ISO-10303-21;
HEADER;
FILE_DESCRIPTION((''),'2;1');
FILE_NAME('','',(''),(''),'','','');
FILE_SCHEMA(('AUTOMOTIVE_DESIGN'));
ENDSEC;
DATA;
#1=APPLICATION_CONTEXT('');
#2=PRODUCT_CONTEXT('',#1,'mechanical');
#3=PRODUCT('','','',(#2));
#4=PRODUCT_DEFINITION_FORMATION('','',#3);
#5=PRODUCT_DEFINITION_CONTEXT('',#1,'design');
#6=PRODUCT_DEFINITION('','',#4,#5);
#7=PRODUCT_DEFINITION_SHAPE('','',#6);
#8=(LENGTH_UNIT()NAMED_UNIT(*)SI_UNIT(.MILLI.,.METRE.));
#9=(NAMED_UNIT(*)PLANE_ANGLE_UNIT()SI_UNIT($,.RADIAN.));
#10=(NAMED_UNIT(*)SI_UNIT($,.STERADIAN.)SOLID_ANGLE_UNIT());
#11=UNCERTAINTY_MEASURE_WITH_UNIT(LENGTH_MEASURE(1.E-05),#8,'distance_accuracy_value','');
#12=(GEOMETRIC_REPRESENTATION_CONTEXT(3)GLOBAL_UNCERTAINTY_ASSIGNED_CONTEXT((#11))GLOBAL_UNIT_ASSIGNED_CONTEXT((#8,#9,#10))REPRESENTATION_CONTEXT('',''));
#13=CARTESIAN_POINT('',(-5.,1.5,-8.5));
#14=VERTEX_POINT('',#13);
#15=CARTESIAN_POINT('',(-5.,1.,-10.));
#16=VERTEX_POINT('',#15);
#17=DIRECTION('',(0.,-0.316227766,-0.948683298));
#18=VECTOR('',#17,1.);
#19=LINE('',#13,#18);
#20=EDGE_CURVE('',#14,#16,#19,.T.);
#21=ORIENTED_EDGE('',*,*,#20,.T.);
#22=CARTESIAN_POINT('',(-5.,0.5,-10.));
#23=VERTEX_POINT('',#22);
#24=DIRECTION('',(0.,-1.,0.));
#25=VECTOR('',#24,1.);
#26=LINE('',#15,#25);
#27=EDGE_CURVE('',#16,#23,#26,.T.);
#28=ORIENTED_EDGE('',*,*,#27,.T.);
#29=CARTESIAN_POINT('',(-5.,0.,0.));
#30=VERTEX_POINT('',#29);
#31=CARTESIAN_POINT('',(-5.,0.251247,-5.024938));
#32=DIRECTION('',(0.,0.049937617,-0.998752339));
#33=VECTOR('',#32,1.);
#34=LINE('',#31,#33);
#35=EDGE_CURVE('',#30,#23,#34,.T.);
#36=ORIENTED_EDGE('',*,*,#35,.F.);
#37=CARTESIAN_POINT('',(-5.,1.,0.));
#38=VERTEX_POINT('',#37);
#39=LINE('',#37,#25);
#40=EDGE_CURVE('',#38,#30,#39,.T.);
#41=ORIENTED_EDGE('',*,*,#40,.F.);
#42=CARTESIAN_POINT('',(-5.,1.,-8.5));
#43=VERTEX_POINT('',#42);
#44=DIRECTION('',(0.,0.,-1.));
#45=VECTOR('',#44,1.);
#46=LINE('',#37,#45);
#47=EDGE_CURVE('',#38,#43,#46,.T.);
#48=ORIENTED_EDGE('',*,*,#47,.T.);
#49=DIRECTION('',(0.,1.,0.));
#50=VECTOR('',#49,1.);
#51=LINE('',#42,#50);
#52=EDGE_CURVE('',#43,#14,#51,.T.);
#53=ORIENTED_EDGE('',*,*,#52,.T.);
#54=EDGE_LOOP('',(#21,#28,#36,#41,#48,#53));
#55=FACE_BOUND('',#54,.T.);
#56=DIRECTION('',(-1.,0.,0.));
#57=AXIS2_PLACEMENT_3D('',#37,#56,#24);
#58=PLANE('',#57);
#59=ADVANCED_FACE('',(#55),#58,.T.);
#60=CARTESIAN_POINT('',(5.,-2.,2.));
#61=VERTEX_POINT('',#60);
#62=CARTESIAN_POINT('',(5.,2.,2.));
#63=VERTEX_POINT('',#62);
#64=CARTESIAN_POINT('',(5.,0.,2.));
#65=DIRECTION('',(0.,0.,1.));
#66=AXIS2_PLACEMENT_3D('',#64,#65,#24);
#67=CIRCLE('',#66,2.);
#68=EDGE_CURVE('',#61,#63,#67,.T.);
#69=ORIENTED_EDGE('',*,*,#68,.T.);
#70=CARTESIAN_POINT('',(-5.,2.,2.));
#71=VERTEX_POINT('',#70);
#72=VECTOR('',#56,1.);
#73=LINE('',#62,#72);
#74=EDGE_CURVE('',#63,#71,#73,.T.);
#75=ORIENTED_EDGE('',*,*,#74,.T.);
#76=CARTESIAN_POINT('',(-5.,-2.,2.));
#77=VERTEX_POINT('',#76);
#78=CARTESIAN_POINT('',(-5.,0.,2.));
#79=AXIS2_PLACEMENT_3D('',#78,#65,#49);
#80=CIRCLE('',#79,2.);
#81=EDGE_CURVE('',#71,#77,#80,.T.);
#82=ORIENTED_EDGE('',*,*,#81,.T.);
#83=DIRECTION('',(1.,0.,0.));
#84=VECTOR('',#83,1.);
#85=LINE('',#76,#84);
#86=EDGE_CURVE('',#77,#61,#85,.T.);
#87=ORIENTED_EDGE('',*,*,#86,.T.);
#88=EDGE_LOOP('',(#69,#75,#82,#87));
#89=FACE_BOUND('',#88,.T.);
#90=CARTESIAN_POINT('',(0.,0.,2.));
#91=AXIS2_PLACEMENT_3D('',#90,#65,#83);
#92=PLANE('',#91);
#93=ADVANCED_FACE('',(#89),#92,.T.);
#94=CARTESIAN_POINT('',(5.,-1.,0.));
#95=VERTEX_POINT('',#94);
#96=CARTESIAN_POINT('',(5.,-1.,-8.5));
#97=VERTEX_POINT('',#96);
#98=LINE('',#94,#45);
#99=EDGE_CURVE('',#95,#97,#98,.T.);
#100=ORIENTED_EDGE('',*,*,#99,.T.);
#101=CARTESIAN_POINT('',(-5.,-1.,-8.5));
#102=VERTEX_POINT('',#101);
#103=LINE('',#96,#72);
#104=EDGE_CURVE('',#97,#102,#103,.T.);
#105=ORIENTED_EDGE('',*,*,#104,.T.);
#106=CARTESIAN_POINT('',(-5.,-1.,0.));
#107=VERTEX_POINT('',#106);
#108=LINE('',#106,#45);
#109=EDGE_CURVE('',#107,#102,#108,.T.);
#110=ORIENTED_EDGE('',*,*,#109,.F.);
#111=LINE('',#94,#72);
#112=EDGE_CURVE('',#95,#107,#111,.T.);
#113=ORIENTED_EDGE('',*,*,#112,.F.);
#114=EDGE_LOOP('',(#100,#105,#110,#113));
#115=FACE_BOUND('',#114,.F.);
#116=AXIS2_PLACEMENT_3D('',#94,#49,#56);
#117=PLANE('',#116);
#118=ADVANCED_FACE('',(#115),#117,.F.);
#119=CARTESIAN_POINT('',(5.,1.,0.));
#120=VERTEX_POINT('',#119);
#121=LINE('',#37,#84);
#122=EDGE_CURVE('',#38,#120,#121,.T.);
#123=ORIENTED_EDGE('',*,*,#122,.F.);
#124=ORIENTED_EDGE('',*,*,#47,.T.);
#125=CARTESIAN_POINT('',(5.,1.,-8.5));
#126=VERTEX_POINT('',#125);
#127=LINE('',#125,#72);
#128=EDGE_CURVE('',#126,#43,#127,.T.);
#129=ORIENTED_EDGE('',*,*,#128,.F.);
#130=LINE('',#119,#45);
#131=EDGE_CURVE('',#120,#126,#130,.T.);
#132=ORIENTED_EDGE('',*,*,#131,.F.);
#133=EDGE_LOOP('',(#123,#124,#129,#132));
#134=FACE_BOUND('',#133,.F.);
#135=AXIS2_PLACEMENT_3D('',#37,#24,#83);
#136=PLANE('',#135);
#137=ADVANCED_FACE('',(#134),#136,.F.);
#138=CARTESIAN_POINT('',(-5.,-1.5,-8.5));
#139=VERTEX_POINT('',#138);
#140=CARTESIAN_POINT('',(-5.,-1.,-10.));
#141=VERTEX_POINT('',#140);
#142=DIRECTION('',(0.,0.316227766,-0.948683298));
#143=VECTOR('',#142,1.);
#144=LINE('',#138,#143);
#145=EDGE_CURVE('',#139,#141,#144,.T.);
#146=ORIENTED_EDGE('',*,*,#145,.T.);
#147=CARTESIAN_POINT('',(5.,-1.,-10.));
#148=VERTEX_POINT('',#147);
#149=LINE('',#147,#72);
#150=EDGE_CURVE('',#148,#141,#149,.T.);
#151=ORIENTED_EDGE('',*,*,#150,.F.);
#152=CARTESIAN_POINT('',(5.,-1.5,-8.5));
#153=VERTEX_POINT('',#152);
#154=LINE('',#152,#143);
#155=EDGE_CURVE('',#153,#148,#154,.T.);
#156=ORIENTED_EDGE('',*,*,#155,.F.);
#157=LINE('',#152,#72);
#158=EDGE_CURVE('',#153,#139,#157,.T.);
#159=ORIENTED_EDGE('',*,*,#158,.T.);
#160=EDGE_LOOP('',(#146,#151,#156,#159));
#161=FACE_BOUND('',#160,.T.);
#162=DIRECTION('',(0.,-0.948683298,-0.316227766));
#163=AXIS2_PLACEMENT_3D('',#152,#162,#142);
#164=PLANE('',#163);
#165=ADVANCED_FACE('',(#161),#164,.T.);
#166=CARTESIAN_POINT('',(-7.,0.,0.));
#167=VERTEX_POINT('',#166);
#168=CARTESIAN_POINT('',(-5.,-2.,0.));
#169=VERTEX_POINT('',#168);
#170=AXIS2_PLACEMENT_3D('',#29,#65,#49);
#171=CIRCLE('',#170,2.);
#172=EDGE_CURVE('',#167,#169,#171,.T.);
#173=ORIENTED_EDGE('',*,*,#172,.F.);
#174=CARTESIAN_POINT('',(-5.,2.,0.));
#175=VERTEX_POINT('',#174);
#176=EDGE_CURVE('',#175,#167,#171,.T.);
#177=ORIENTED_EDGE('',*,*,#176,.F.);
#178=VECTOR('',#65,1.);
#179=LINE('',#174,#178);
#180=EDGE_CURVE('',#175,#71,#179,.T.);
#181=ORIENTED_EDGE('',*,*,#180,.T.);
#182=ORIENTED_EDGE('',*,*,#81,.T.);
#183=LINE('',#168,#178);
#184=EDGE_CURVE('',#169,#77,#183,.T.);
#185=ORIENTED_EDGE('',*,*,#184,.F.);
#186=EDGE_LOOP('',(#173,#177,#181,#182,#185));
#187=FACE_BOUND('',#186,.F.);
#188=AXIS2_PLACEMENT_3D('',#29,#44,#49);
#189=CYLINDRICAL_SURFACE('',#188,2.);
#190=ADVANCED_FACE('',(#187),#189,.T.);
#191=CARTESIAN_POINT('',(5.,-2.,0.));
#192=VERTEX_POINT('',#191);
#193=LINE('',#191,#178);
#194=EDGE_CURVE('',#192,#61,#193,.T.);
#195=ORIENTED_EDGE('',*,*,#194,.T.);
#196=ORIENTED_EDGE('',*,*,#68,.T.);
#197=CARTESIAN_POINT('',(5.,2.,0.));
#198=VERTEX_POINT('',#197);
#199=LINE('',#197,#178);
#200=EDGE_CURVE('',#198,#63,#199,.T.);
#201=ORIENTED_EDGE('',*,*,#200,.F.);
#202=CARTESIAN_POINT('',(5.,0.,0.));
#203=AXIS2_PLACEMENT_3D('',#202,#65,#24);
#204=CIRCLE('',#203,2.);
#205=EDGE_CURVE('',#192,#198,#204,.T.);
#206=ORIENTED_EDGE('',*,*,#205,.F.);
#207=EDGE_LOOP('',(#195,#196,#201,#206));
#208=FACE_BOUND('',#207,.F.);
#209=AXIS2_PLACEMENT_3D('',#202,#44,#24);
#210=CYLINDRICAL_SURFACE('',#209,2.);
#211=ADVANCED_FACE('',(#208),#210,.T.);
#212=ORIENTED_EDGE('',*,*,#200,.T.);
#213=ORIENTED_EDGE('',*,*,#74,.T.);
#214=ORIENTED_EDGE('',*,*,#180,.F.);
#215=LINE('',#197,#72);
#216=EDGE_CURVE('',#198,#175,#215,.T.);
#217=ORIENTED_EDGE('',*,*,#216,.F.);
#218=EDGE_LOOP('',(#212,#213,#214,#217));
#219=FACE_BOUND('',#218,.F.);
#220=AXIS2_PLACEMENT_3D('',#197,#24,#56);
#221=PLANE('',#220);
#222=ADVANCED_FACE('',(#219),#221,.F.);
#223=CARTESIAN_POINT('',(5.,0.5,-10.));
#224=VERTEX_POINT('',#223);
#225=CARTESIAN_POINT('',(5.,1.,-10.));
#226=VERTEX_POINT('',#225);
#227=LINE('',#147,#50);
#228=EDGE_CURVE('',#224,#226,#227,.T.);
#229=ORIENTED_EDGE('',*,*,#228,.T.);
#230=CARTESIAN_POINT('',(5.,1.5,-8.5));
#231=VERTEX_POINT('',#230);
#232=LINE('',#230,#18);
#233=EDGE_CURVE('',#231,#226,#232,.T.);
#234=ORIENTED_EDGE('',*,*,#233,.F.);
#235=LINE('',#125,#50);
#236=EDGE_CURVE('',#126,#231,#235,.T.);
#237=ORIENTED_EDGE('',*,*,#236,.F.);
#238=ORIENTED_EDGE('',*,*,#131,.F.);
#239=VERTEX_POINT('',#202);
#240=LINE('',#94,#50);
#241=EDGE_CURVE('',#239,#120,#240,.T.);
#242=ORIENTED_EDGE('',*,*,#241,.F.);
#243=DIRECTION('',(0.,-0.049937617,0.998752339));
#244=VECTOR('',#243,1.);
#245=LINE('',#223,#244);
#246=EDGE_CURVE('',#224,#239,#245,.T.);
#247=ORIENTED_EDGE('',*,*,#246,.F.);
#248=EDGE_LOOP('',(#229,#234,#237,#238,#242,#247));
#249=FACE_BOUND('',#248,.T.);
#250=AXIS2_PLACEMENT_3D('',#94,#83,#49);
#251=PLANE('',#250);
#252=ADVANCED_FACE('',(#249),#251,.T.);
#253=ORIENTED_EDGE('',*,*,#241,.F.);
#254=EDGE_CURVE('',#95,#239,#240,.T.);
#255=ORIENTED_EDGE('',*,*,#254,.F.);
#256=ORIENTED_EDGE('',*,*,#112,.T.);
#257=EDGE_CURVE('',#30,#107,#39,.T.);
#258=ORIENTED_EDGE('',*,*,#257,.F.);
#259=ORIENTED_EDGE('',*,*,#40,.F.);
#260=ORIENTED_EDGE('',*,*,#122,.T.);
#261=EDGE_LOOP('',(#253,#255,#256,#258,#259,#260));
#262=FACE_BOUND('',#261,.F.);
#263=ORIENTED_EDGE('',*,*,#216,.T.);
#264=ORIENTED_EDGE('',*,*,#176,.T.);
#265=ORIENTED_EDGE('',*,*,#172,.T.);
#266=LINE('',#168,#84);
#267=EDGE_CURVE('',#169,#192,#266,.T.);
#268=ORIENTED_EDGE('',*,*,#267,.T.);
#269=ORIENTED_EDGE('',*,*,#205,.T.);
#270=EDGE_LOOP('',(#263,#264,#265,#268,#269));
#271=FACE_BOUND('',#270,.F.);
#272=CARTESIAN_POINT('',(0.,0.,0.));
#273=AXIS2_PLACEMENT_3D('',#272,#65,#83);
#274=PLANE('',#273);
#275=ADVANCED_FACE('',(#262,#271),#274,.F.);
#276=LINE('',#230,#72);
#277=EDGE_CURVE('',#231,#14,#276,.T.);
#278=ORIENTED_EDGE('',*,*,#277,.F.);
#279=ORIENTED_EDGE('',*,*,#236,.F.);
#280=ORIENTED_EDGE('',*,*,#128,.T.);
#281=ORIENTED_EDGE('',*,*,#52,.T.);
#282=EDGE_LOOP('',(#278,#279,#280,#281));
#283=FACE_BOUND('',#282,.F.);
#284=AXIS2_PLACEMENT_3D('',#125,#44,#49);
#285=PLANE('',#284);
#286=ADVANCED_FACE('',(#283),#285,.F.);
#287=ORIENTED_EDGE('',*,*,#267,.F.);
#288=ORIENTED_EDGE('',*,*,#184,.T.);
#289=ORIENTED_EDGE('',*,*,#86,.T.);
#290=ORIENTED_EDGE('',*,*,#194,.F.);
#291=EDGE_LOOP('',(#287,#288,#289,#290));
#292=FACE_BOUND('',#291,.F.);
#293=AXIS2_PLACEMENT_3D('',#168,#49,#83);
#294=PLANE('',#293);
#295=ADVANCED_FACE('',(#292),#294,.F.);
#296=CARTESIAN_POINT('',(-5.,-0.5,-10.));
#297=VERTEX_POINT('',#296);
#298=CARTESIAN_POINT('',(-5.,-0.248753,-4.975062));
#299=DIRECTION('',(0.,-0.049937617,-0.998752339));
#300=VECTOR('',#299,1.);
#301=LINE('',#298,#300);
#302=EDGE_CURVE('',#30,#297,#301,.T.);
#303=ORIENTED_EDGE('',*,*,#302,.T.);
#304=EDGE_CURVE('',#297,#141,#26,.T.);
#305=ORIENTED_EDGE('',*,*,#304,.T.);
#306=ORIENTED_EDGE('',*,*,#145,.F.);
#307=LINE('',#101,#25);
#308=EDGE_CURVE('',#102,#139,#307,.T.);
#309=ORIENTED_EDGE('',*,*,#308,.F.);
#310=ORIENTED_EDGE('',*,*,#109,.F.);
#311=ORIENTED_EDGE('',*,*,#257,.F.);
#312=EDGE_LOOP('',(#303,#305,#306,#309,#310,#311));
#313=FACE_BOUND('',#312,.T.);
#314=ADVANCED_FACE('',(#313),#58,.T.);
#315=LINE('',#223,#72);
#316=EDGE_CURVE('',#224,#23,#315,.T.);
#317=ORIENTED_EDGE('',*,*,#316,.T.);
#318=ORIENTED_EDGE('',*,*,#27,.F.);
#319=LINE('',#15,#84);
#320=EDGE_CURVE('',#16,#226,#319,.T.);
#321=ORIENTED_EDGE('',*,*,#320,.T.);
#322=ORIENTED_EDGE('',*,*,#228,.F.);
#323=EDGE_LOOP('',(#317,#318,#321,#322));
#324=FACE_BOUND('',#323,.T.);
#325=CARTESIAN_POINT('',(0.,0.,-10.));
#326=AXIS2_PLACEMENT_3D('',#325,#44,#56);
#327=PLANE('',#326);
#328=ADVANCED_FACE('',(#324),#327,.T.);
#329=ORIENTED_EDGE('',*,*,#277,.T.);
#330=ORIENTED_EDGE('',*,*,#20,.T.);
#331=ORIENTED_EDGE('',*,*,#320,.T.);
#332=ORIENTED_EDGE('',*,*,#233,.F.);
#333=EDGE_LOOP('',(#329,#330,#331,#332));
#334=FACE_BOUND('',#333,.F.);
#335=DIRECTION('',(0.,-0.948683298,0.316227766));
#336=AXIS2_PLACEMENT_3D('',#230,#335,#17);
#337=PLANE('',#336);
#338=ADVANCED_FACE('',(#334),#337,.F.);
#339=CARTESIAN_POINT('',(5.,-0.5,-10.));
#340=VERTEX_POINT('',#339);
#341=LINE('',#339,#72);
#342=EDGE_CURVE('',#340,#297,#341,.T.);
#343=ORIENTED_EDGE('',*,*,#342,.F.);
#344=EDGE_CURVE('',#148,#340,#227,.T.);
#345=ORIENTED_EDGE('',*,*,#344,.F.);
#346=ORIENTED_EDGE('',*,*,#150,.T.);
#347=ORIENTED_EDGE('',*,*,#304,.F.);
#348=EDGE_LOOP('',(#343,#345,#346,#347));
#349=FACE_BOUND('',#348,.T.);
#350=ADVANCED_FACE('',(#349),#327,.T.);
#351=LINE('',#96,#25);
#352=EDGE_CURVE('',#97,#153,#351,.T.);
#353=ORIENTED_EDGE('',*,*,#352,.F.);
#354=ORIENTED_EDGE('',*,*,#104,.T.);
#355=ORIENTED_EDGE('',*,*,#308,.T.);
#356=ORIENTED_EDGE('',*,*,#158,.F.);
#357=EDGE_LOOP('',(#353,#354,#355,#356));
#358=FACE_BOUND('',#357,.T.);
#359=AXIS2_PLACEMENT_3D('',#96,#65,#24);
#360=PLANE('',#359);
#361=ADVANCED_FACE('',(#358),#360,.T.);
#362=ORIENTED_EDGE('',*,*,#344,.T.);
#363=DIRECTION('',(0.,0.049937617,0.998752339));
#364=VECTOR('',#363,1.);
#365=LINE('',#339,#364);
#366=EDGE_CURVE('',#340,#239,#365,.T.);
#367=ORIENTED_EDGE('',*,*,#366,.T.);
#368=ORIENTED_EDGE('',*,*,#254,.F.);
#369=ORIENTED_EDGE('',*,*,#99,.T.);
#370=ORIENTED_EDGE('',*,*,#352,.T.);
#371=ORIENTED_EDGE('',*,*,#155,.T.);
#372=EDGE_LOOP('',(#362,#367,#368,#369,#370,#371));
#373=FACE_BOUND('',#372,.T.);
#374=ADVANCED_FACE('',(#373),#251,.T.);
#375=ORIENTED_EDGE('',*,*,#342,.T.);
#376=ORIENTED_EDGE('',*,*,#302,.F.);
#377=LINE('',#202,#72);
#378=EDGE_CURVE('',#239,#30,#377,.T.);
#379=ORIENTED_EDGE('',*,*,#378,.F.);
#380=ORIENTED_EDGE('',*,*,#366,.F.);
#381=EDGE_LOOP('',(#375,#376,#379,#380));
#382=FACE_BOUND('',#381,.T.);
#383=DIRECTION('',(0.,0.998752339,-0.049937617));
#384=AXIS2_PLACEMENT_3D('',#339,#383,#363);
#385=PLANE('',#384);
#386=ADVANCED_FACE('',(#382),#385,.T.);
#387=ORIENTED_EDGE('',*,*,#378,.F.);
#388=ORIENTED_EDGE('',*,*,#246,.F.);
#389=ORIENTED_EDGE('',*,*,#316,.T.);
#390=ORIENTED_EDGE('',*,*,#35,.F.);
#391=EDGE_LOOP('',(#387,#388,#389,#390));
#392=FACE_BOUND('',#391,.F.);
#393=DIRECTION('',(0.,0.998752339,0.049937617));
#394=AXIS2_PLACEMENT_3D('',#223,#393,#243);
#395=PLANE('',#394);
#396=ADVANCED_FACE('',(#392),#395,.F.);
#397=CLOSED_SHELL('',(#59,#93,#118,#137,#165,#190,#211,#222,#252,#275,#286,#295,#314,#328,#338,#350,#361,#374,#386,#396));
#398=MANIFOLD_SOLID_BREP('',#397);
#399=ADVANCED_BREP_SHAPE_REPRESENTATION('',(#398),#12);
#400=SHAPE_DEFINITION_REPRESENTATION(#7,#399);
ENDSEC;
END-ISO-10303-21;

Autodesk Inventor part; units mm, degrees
ref_plane "YZ Plane" through (0, 0, 0) normal (1, 0, 0) x (0, 1, 0)
ref_plane "XZ Plane" through (0, 0, 0) normal (0, 1, 0) x (-1, 0, 0)
ref_plane "XY Plane" through (0, 0, 0) normal (0, 0, 1) x (1, 0, 0)
sketch "Sketch1" plane through (0, 0, 0) normal (0, 0, 1) x (1, 0, 0)
  line L0 (-5, 0) -> (5, 0) construction
  line L1 (-5, -1) -> (5, -1)
  line L2 (5, 1) -> (-5, 1)
  arc A0 (-5, 1) -> (-5, -1) centre (-5, 0) ccw
  arc A1 (5, -1) -> (5, 1) centre (5, 0) ccw
  line L3 (-5, 0) -> (5, 0) construction
  line L4 (-5, -2) -> (5, -2)
  line L5 (5, 2) -> (-5, 2)
  arc A2 (-5, 2) -> (-5, -2) centre (-5, 0) ccw
  arc A3 (5, -2) -> (5, 2) centre (5, 0) ccw
  point P0 (0, 0)
extrude "Extrusion1" add sketch "Sketch1" along normal blind 2 contours A0 L2 A1 L1 | A2 L5 A3 L4
sketch "Sketch2" plane through (0, 0, 0) normal (0, 0, -1) x (-1, 0, 0)
  arc A0 (5, -2) -> (5, 2) centre (5, 0) ccw projected
  line L0 (-5, 0) -> (5, 0) construction
  line L1 (-5, -1) -> (5, -1)
  line L2 (5, 1) -> (-5, 1)
  arc A1 (-5, 1) -> (-5, -1) centre (-5, 0) ccw
  arc A2 (5, -1) -> (5, 1) centre (5, 0) ccw
  line L3 (5, 1) -> (5, -1)
  line L4 (-5, -1) -> (-5, 1)
  point P0 (0, 0)
extrude "Extrusion2" add sketch "Sketch2" along normal blind 10 contours L4 L2 L3 L1
sketch "Sketch3" plane through (5, -1, 0) normal (1, 0, 0) x (0, 0, -1)
  line L0 (0, 2) -> (10, 2) projected
  line L1 (10, 2) -> (8.5, 2)
  line L2 (8.5, 2) -> (8.5, 2.5)
  line L3 (8.5, 2.5) -> (10, 2)
  line L4 (0, 0) -> (10, 0) projected
  line L5 (10, 0) -> (8.5, 0)
  line L6 (8.5, 0) -> (8.5, -0.5)
  line L7 (8.5, -0.5) -> (10, 0)
  point P0 (0, 1)
  dimension "d8" = 1.5
  dimension "d9" = 0.5
  dimension "d10" = 0.5
extrude "Extrusion3" add sketch "Sketch3" against normal up to surface (10 mm away)
sketch "Sketch4" plane through (5, -1, 0) normal (1, 0, 0) x (0, 0, -1)
  line L0 (10, 0) -> (10, 2) projected
  line L1 (10, 1) -> (10, 1.5)
  line L2 (10, 1.5) -> (0, 1)
  line L3 (10, 1) -> (10, 0.5)
  line L4 (10, 0.5) -> (0, 1)
  dimension "d13" = 0.5
  dimension "d14" = 0.5
extrude "Extrusion4" cut sketch "Sketch4" against normal through all
properties part number "clip"
